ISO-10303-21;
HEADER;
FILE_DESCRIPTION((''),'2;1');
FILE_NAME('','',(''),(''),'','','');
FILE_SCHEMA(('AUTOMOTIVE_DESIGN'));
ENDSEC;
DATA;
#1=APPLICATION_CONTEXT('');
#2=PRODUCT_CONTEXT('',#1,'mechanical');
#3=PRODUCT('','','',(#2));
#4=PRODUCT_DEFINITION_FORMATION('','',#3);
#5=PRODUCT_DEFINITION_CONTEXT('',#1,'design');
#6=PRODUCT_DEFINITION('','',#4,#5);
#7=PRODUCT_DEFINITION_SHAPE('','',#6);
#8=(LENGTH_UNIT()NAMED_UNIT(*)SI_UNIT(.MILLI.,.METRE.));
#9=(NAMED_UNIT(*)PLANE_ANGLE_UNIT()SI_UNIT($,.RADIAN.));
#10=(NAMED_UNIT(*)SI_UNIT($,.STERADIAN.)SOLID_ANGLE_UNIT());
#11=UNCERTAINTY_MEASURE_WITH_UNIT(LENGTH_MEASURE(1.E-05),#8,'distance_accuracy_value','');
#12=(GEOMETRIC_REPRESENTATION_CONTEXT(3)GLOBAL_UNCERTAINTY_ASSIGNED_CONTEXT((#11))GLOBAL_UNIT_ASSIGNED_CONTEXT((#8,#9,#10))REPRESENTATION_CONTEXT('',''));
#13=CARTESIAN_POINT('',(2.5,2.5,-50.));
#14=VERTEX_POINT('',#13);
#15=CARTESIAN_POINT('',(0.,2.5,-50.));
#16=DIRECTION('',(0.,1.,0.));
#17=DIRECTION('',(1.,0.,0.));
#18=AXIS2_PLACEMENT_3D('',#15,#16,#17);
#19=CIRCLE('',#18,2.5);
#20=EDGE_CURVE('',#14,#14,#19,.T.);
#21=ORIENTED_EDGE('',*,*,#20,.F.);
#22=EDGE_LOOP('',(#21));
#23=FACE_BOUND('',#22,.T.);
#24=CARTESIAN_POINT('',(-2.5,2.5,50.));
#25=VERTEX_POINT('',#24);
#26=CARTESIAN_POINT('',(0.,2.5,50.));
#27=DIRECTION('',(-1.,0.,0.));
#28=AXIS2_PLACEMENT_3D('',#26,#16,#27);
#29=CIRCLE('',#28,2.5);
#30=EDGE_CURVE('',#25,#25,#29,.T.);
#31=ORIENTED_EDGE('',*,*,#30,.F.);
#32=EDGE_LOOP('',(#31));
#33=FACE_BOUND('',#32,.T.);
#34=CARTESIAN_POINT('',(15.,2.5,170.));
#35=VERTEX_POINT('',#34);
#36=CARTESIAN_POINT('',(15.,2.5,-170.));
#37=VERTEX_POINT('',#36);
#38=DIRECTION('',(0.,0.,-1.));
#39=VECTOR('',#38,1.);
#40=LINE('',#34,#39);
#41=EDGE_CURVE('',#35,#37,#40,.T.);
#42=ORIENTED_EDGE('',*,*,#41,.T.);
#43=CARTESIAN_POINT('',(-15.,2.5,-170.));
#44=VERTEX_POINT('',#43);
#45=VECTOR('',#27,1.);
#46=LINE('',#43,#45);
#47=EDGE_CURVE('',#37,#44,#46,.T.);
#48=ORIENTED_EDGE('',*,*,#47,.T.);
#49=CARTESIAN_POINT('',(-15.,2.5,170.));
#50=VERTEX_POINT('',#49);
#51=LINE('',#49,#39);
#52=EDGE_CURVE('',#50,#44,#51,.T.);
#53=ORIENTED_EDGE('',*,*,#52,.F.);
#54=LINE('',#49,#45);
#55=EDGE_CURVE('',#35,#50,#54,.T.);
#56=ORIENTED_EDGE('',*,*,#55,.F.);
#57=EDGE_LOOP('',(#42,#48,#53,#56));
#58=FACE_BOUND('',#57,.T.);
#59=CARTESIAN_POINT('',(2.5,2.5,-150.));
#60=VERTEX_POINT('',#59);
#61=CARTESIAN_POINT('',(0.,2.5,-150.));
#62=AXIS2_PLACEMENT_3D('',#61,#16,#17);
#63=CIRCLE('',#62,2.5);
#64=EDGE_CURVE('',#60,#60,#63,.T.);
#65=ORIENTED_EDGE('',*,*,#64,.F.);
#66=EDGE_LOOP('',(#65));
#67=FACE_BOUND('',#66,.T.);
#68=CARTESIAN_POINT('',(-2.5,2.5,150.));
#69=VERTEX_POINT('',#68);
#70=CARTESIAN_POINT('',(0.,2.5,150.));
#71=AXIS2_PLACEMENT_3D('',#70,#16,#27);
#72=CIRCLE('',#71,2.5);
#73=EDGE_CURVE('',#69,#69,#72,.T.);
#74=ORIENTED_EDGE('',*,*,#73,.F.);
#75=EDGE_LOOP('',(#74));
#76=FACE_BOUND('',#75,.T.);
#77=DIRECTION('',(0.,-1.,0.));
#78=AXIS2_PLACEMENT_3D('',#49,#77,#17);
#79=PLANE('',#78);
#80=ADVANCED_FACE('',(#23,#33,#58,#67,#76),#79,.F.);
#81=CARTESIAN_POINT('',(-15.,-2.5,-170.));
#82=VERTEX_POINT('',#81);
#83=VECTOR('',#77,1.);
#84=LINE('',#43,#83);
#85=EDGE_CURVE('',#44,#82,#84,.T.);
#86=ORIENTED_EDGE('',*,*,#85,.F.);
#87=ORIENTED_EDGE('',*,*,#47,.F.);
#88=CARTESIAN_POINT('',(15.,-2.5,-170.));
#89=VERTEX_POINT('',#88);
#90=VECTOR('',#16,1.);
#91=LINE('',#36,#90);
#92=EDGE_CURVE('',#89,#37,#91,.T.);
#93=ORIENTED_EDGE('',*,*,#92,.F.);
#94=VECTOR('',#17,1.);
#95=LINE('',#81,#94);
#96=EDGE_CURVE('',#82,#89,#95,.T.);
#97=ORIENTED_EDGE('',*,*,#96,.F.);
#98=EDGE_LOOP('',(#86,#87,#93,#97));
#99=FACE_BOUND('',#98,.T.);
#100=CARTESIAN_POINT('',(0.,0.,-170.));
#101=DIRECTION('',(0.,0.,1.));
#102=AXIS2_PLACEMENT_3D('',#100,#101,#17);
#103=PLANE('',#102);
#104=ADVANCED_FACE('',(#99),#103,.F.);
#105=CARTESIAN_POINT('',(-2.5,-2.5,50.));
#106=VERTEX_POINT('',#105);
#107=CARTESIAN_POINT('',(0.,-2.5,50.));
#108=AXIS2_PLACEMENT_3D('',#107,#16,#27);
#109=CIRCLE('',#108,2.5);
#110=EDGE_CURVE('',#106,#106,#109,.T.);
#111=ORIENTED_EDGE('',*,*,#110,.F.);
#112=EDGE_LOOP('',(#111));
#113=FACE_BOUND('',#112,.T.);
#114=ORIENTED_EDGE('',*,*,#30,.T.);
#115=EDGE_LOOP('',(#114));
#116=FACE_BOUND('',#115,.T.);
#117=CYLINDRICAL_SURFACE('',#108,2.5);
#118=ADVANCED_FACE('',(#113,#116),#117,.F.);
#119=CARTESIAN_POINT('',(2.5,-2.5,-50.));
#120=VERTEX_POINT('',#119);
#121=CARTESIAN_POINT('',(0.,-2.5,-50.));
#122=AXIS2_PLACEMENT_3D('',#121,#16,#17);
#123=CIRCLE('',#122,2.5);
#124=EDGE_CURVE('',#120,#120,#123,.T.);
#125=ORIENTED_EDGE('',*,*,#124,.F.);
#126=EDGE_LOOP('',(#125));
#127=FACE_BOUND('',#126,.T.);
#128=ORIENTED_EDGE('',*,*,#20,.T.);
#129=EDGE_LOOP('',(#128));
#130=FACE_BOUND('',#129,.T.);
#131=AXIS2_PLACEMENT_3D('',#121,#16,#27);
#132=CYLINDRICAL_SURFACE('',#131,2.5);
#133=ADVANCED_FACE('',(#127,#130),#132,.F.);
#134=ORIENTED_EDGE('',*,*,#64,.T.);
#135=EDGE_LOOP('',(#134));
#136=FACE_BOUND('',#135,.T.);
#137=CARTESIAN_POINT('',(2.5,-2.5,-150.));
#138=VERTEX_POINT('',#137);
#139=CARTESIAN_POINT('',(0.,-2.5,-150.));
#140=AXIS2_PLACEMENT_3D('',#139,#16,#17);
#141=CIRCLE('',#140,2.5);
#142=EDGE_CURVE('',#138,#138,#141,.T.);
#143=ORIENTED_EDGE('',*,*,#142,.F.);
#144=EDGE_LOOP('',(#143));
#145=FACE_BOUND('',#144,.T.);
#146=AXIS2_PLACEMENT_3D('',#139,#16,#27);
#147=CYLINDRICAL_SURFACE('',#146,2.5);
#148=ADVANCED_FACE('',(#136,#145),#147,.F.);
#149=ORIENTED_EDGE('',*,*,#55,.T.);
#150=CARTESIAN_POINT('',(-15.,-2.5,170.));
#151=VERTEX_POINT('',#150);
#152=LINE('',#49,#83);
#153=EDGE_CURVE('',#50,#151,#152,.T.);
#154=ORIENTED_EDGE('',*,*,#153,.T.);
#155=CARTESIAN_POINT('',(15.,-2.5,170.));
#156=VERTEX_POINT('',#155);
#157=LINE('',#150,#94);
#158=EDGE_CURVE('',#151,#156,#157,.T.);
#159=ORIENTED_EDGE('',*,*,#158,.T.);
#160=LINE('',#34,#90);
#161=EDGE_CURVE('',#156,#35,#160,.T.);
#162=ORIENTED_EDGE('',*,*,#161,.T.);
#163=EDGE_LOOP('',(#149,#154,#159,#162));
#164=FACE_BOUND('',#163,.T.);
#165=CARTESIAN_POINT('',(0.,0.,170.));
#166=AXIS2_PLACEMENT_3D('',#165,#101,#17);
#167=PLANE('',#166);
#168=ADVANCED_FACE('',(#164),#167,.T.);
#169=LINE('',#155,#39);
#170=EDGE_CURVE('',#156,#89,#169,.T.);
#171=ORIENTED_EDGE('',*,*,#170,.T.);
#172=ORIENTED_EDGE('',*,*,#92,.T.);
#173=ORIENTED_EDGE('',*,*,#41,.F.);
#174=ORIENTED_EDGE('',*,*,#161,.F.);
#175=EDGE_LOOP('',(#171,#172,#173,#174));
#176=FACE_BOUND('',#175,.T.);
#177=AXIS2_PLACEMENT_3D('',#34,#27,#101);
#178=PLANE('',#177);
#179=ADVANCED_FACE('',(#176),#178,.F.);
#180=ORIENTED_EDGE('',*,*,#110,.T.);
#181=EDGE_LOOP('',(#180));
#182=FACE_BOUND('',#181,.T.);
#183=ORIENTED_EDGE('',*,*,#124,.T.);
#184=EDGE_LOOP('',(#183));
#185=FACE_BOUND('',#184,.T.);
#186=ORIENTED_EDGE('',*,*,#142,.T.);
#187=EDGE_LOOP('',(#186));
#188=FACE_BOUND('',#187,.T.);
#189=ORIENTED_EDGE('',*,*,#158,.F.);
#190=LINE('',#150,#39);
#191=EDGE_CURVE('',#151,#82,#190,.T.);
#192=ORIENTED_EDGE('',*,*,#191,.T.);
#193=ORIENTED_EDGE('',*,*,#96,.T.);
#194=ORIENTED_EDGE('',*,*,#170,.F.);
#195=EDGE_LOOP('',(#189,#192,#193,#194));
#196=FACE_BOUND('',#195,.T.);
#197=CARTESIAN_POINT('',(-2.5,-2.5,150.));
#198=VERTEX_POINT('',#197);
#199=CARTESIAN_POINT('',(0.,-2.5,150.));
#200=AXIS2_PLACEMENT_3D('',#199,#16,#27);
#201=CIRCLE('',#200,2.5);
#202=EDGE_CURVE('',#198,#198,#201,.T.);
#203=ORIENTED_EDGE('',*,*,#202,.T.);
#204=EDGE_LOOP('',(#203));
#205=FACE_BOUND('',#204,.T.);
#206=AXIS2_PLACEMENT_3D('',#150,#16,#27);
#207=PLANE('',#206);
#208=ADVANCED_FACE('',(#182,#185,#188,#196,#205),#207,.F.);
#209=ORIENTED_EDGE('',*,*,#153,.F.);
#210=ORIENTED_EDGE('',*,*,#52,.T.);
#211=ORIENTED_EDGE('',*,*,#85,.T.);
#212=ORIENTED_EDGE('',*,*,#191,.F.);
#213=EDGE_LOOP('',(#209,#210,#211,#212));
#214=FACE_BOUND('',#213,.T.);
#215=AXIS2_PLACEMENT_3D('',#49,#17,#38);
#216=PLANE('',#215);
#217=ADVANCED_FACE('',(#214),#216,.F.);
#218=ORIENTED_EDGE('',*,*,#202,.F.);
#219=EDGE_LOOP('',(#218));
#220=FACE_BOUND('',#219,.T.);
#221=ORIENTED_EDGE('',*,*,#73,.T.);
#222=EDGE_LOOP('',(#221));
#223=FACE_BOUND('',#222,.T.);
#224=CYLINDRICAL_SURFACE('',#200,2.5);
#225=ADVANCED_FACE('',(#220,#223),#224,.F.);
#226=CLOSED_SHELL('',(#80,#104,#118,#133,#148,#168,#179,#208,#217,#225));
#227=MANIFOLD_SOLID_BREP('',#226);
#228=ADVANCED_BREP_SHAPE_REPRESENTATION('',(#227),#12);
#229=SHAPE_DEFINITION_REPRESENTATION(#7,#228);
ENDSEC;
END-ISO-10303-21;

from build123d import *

# Parameters (mm, degrees)
SKETCH1_W           = 30
SKETCH1_H           = 5
BOSS_EXTRUDE1_DEPTH = 170
SKETCH3_R           = 2.5
CUT_EXTRUDE1_DEPTH  = 6


with BuildPart() as part:
    # Sketch1 → Boss-Extrude1 (new body, symmetric)
    with BuildSketch(Plane.XY):
        Rectangle(SKETCH1_W, SKETCH1_H)
    extrude(amount=BOSS_EXTRUDE1_DEPTH, both=True)

    # Sketch3 → Cut-Extrude1 (cut, through all)
    with BuildSketch(Plane(origin=(0, 2.5, 0), x_dir=(1, 0, 0), z_dir=(0, 1, 0))):
        with Locations((0, -50)):
            Circle(SKETCH3_R)
        with Locations((0, -150)):
            Circle(SKETCH3_R)
        with Locations((0, 150)):
            Circle(SKETCH3_R)
        with Locations((0, 50)):
            Circle(SKETCH3_R)
    extrude(amount=-CUT_EXTRUDE1_DEPTH, mode=Mode.SUBTRACT)


solid = part.part
